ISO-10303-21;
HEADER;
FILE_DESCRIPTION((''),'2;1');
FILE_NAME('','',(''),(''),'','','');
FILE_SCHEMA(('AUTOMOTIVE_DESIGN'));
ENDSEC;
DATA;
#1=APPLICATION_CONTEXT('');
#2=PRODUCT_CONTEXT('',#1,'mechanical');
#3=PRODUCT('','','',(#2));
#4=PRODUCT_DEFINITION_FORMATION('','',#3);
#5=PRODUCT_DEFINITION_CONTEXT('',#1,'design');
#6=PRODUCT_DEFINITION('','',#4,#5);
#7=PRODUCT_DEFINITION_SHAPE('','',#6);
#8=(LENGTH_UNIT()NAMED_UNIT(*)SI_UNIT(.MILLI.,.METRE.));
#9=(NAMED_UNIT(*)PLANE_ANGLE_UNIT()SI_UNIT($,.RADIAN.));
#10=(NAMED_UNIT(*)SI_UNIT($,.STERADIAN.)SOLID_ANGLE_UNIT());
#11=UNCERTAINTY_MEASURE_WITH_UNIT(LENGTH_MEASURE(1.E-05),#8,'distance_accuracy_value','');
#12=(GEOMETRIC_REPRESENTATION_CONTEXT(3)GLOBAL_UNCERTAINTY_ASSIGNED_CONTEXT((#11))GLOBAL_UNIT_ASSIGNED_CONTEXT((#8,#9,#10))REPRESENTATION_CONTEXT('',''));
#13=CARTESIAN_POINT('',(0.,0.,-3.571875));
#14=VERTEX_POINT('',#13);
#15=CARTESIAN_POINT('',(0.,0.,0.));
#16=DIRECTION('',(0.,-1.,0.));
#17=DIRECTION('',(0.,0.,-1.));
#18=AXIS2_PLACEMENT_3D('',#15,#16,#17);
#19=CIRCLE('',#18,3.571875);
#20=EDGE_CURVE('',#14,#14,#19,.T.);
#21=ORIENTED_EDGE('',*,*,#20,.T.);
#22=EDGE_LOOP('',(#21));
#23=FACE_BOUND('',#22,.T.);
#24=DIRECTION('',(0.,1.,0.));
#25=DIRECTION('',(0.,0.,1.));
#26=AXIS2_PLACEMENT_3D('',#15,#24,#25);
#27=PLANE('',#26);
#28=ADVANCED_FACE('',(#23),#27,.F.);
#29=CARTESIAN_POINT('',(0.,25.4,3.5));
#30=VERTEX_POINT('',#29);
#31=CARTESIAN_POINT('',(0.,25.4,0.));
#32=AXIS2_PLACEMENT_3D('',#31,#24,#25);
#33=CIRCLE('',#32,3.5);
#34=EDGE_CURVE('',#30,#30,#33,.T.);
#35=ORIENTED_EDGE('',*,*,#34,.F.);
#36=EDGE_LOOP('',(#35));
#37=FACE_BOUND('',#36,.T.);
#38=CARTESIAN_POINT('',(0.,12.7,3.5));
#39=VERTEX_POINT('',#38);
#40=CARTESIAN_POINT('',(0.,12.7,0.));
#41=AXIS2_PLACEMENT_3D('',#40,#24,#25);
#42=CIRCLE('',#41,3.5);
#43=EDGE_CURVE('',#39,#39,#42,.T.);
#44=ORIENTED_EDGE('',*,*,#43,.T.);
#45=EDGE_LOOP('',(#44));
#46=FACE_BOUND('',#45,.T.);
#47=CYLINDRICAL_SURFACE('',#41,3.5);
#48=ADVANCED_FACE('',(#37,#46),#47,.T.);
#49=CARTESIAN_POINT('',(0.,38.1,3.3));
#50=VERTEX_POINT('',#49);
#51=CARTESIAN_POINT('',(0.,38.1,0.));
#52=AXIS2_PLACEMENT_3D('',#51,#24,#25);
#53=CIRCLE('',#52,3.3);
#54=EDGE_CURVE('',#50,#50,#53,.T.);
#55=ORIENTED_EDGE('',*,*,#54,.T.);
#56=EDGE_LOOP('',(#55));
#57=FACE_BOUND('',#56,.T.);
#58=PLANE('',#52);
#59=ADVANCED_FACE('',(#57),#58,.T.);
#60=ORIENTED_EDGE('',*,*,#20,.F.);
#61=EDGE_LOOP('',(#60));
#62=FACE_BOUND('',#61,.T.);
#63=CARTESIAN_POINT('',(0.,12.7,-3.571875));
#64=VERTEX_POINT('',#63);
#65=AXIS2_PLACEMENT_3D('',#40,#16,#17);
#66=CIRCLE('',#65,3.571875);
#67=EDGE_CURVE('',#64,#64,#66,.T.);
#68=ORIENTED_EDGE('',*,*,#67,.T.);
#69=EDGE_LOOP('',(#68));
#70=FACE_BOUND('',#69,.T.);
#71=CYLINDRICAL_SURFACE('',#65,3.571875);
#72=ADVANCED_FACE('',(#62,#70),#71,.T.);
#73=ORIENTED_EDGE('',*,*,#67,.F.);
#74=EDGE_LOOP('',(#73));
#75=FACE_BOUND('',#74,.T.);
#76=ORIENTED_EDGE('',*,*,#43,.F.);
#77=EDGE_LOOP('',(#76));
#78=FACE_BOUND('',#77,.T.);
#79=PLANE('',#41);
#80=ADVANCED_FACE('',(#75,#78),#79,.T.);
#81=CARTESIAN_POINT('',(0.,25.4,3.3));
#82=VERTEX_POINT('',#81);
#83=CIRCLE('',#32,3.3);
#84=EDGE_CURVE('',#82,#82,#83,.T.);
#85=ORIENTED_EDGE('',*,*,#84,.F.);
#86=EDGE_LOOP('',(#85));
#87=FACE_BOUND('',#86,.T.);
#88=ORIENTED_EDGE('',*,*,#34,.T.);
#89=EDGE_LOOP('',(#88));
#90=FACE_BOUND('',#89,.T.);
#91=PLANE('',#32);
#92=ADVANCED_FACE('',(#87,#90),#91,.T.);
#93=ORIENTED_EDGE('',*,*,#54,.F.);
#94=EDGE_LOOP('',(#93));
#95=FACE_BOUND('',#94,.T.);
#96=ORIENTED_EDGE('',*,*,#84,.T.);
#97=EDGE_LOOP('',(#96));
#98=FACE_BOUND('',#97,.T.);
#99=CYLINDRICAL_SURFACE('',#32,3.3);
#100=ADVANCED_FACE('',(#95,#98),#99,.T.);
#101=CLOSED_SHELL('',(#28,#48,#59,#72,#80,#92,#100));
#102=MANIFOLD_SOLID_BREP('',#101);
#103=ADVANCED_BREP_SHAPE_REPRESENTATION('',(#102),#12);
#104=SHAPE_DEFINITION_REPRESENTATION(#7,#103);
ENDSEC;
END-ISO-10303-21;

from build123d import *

# Parameters (mm, degrees)
SKETCH1_R           = 4.7625
BOSS_EXTRUDE1_DEPTH = 38.1
SKETCH2_R           = 5.832464333
SKETCH2_R_2         = 3.3
CUT_EXTRUDE1_DEPTH  = 12.7
SKETCH3_R           = 5.346562202
SKETCH3_R_2         = 3.5
CUT_EXTRUDE2_DEPTH  = 12.7
SKETCH4_R           = 4.91764208
SKETCH4_R_2         = 3.571875
CUT_EXTRUDE3_DEPTH  = 12.7


with BuildPart() as part:
    # Sketch1 → Boss-Extrude1 (new body)
    with BuildSketch(Plane(origin=(0, 0, 0), x_dir=(1, 0, 0), z_dir=(0, 1, 0))):
        with Locations(Location((0, 0, 0), (0, 0, 90))):
            Circle(SKETCH1_R)
    extrude(amount=BOSS_EXTRUDE1_DEPTH)

    # Sketch2 → Cut-Extrude1 (cut)
    with BuildSketch(Plane(origin=(0, 38.1, 0), x_dir=(1, 0, 0), z_dir=(0, 1, 0))):
        Circle(SKETCH2_R)
        with Locations(Location((0, 0, 0), (0, 0, 270))):
            Circle(SKETCH2_R_2, mode=Mode.SUBTRACT)
    extrude(amount=-CUT_EXTRUDE1_DEPTH, mode=Mode.SUBTRACT)

    # Sketch3 → Cut-Extrude2 (cut)
    with BuildSketch(Plane(origin=(0, 25.4, 0), x_dir=(1, 0, 0), z_dir=(0, 1, 0))):
        Circle(SKETCH3_R)
        with Locations(Location((0, 0, 0), (0, 0, 270))):
            Circle(SKETCH3_R_2, mode=Mode.SUBTRACT)
    extrude(amount=-CUT_EXTRUDE2_DEPTH, mode=Mode.SUBTRACT)

    # Sketch4 → Cut-Extrude3 (cut)
    with BuildSketch(Plane.XZ):
        Circle(SKETCH4_R)
        with Locations(Location((0, 0, 0), (0, 0, 270))):
            Circle(SKETCH4_R_2, mode=Mode.SUBTRACT)
    extrude(amount=-CUT_EXTRUDE3_DEPTH, mode=Mode.SUBTRACT)


solid = part.part
